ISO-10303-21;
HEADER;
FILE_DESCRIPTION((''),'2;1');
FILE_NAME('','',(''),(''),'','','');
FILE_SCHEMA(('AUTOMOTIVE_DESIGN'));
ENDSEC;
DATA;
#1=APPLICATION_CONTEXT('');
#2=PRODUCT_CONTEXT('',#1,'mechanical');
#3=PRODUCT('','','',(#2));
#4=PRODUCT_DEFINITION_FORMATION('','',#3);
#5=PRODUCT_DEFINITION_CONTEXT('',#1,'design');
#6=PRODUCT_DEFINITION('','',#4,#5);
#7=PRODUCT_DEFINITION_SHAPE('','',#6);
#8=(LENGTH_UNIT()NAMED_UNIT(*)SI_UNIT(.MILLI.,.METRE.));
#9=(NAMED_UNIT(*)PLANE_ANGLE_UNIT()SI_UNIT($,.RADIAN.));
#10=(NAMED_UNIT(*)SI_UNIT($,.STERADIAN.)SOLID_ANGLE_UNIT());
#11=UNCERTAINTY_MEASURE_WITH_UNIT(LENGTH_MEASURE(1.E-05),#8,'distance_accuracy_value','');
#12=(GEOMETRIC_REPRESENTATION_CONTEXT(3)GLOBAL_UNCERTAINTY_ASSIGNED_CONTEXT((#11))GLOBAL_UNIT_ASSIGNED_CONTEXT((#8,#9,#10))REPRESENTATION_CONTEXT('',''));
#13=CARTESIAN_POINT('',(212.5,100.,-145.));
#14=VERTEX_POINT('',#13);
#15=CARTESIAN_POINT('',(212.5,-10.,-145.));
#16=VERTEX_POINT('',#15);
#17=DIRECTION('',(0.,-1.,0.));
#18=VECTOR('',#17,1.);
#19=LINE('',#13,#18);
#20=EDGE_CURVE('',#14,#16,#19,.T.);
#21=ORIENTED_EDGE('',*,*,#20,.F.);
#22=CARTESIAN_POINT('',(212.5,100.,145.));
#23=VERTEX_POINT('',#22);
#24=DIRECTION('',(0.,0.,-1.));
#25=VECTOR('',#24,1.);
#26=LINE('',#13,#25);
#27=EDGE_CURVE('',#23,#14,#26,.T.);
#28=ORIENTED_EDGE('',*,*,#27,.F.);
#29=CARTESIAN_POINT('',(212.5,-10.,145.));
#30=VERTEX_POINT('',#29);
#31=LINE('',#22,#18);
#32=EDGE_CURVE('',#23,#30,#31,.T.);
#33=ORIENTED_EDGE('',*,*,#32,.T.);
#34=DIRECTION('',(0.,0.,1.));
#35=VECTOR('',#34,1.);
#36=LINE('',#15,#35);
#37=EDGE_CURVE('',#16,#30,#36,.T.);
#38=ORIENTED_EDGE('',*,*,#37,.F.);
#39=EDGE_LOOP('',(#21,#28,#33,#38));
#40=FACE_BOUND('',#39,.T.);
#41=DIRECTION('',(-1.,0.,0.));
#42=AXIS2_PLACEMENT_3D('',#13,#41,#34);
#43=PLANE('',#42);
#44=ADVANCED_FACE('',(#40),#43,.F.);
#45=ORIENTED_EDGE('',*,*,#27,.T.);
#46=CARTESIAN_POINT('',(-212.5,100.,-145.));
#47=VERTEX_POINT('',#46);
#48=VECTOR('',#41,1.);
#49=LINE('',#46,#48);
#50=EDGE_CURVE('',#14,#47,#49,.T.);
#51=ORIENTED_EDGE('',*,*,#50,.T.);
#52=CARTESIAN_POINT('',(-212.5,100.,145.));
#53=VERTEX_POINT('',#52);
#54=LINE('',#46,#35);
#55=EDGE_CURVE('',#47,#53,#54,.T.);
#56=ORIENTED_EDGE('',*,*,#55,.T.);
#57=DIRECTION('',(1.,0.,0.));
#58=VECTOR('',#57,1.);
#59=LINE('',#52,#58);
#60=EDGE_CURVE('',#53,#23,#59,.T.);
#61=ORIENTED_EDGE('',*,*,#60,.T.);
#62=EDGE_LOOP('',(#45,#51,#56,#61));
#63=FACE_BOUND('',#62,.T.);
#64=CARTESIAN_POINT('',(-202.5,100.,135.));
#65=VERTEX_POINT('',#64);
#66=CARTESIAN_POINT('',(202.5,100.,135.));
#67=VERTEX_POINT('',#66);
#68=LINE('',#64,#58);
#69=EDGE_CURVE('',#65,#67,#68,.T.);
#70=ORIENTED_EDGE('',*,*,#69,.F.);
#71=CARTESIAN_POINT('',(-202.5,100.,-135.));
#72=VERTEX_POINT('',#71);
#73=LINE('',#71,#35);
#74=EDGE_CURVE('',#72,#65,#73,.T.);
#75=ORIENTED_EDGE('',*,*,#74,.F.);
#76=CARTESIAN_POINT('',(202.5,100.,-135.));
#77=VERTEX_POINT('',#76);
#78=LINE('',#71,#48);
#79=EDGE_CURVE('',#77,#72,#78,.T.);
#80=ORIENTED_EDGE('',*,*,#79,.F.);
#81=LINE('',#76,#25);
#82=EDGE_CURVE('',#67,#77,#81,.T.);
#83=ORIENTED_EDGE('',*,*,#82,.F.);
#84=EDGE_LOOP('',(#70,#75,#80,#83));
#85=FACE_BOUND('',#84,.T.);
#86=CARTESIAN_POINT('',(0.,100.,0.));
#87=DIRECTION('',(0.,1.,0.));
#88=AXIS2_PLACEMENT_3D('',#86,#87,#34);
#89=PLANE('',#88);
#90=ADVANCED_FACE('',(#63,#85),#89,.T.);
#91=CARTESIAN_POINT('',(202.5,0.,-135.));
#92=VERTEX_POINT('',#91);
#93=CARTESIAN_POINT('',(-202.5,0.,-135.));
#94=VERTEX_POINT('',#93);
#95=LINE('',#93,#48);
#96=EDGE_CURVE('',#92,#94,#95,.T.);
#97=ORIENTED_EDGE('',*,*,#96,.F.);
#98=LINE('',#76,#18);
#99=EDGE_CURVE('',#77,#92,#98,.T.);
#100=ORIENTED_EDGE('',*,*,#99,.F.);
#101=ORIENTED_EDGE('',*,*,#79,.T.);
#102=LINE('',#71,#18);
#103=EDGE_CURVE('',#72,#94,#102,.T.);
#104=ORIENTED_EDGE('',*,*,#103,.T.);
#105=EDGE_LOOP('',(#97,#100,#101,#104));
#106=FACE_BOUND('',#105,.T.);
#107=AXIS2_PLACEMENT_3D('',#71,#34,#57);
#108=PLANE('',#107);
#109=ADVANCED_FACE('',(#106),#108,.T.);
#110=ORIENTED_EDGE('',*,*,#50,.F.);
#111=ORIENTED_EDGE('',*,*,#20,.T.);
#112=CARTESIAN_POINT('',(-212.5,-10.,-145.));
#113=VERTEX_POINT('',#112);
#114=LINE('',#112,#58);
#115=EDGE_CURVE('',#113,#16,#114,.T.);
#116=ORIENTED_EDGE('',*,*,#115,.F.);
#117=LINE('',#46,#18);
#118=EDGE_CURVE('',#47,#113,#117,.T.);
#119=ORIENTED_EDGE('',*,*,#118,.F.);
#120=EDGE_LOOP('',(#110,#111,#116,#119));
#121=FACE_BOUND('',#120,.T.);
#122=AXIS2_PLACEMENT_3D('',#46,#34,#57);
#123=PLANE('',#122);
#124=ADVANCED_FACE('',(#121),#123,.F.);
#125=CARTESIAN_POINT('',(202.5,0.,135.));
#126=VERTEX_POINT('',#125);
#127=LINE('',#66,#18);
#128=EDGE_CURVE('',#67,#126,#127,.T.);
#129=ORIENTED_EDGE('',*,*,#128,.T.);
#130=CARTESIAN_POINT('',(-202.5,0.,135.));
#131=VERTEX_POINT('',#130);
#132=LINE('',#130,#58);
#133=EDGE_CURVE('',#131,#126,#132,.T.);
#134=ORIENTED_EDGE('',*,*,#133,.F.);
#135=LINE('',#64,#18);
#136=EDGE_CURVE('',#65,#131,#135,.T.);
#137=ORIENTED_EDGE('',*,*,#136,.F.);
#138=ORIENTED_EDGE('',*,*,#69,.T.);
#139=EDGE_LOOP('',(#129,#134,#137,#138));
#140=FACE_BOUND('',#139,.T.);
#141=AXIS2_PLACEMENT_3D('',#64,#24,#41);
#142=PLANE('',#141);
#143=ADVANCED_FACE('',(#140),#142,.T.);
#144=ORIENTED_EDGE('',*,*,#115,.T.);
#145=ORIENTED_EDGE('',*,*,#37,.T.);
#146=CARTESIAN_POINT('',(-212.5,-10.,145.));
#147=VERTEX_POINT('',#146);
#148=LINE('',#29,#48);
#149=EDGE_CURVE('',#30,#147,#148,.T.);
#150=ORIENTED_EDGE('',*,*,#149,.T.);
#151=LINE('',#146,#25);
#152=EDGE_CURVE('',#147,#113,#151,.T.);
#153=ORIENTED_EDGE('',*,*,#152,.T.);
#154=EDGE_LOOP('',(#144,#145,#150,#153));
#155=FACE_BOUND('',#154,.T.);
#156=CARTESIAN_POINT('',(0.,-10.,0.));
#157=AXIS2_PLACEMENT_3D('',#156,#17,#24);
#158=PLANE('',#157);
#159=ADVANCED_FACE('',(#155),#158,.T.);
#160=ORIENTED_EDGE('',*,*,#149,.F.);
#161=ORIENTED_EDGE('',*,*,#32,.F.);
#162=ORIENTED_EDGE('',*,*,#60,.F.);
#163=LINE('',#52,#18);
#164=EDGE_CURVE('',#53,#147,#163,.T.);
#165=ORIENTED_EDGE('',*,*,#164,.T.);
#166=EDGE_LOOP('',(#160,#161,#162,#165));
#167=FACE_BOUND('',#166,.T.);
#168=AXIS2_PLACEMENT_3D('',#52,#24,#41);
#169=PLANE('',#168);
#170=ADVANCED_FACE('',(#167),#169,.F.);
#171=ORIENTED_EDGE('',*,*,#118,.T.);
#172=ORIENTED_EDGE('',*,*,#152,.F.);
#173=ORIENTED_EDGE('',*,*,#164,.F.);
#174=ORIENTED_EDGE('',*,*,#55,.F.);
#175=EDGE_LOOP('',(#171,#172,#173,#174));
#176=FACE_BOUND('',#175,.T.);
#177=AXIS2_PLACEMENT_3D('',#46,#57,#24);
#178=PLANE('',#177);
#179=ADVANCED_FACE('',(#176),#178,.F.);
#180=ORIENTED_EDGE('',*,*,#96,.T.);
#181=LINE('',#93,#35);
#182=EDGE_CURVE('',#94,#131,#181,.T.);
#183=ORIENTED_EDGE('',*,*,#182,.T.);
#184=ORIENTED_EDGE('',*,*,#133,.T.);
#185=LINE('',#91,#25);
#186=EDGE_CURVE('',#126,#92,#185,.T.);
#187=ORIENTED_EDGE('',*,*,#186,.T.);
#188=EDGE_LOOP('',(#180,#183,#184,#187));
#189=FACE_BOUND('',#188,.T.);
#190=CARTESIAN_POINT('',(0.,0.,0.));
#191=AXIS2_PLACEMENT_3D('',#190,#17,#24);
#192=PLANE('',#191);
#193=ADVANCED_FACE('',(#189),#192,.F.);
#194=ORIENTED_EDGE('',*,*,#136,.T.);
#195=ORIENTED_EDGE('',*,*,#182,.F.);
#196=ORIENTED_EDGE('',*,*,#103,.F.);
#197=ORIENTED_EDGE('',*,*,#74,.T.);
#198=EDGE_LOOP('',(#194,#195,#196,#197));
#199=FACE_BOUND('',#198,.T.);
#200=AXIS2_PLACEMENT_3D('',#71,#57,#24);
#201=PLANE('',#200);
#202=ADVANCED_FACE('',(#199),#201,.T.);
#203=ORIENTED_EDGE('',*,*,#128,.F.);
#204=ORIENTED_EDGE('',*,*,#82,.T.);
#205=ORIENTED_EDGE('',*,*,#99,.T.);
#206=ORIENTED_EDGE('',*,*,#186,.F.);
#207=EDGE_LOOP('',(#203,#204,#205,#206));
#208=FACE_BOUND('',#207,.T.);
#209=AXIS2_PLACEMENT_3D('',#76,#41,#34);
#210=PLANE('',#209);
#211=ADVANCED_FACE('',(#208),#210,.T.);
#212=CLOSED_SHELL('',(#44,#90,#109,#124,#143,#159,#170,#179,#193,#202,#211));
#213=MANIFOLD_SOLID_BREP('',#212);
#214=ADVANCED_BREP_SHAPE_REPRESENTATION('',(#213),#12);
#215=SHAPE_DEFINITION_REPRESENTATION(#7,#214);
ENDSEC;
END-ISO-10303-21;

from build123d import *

# Parameters (mm, degrees)
SKETCH1_W           = 425
SKETCH1_H           = 290
SKETCH1_W_2         = 405
SKETCH1_H_2         = 270
BOSS_EXTRUDE1_DEPTH = 100
SKETCH2_W           = 425
SKETCH2_H           = 290
BOSS_EXTRUDE2_DEPTH = 10


with BuildPart() as part:
    # Sketch1 → Boss-Extrude1 (new body)
    with BuildSketch(Plane(origin=(0, 0, 0), x_dir=(1, 0, 0), z_dir=(0, 1, 0))):
        Rectangle(SKETCH1_W, SKETCH1_H)
        Rectangle(SKETCH1_W_2, SKETCH1_H_2, mode=Mode.SUBTRACT)
    extrude(amount=BOSS_EXTRUDE1_DEPTH)

    # Sketch2 → Boss-Extrude2 (add)
    with BuildSketch(Plane.XZ):
        Rectangle(SKETCH2_W, SKETCH2_H)
    extrude(amount=BOSS_EXTRUDE2_DEPTH)


solid = part.part
